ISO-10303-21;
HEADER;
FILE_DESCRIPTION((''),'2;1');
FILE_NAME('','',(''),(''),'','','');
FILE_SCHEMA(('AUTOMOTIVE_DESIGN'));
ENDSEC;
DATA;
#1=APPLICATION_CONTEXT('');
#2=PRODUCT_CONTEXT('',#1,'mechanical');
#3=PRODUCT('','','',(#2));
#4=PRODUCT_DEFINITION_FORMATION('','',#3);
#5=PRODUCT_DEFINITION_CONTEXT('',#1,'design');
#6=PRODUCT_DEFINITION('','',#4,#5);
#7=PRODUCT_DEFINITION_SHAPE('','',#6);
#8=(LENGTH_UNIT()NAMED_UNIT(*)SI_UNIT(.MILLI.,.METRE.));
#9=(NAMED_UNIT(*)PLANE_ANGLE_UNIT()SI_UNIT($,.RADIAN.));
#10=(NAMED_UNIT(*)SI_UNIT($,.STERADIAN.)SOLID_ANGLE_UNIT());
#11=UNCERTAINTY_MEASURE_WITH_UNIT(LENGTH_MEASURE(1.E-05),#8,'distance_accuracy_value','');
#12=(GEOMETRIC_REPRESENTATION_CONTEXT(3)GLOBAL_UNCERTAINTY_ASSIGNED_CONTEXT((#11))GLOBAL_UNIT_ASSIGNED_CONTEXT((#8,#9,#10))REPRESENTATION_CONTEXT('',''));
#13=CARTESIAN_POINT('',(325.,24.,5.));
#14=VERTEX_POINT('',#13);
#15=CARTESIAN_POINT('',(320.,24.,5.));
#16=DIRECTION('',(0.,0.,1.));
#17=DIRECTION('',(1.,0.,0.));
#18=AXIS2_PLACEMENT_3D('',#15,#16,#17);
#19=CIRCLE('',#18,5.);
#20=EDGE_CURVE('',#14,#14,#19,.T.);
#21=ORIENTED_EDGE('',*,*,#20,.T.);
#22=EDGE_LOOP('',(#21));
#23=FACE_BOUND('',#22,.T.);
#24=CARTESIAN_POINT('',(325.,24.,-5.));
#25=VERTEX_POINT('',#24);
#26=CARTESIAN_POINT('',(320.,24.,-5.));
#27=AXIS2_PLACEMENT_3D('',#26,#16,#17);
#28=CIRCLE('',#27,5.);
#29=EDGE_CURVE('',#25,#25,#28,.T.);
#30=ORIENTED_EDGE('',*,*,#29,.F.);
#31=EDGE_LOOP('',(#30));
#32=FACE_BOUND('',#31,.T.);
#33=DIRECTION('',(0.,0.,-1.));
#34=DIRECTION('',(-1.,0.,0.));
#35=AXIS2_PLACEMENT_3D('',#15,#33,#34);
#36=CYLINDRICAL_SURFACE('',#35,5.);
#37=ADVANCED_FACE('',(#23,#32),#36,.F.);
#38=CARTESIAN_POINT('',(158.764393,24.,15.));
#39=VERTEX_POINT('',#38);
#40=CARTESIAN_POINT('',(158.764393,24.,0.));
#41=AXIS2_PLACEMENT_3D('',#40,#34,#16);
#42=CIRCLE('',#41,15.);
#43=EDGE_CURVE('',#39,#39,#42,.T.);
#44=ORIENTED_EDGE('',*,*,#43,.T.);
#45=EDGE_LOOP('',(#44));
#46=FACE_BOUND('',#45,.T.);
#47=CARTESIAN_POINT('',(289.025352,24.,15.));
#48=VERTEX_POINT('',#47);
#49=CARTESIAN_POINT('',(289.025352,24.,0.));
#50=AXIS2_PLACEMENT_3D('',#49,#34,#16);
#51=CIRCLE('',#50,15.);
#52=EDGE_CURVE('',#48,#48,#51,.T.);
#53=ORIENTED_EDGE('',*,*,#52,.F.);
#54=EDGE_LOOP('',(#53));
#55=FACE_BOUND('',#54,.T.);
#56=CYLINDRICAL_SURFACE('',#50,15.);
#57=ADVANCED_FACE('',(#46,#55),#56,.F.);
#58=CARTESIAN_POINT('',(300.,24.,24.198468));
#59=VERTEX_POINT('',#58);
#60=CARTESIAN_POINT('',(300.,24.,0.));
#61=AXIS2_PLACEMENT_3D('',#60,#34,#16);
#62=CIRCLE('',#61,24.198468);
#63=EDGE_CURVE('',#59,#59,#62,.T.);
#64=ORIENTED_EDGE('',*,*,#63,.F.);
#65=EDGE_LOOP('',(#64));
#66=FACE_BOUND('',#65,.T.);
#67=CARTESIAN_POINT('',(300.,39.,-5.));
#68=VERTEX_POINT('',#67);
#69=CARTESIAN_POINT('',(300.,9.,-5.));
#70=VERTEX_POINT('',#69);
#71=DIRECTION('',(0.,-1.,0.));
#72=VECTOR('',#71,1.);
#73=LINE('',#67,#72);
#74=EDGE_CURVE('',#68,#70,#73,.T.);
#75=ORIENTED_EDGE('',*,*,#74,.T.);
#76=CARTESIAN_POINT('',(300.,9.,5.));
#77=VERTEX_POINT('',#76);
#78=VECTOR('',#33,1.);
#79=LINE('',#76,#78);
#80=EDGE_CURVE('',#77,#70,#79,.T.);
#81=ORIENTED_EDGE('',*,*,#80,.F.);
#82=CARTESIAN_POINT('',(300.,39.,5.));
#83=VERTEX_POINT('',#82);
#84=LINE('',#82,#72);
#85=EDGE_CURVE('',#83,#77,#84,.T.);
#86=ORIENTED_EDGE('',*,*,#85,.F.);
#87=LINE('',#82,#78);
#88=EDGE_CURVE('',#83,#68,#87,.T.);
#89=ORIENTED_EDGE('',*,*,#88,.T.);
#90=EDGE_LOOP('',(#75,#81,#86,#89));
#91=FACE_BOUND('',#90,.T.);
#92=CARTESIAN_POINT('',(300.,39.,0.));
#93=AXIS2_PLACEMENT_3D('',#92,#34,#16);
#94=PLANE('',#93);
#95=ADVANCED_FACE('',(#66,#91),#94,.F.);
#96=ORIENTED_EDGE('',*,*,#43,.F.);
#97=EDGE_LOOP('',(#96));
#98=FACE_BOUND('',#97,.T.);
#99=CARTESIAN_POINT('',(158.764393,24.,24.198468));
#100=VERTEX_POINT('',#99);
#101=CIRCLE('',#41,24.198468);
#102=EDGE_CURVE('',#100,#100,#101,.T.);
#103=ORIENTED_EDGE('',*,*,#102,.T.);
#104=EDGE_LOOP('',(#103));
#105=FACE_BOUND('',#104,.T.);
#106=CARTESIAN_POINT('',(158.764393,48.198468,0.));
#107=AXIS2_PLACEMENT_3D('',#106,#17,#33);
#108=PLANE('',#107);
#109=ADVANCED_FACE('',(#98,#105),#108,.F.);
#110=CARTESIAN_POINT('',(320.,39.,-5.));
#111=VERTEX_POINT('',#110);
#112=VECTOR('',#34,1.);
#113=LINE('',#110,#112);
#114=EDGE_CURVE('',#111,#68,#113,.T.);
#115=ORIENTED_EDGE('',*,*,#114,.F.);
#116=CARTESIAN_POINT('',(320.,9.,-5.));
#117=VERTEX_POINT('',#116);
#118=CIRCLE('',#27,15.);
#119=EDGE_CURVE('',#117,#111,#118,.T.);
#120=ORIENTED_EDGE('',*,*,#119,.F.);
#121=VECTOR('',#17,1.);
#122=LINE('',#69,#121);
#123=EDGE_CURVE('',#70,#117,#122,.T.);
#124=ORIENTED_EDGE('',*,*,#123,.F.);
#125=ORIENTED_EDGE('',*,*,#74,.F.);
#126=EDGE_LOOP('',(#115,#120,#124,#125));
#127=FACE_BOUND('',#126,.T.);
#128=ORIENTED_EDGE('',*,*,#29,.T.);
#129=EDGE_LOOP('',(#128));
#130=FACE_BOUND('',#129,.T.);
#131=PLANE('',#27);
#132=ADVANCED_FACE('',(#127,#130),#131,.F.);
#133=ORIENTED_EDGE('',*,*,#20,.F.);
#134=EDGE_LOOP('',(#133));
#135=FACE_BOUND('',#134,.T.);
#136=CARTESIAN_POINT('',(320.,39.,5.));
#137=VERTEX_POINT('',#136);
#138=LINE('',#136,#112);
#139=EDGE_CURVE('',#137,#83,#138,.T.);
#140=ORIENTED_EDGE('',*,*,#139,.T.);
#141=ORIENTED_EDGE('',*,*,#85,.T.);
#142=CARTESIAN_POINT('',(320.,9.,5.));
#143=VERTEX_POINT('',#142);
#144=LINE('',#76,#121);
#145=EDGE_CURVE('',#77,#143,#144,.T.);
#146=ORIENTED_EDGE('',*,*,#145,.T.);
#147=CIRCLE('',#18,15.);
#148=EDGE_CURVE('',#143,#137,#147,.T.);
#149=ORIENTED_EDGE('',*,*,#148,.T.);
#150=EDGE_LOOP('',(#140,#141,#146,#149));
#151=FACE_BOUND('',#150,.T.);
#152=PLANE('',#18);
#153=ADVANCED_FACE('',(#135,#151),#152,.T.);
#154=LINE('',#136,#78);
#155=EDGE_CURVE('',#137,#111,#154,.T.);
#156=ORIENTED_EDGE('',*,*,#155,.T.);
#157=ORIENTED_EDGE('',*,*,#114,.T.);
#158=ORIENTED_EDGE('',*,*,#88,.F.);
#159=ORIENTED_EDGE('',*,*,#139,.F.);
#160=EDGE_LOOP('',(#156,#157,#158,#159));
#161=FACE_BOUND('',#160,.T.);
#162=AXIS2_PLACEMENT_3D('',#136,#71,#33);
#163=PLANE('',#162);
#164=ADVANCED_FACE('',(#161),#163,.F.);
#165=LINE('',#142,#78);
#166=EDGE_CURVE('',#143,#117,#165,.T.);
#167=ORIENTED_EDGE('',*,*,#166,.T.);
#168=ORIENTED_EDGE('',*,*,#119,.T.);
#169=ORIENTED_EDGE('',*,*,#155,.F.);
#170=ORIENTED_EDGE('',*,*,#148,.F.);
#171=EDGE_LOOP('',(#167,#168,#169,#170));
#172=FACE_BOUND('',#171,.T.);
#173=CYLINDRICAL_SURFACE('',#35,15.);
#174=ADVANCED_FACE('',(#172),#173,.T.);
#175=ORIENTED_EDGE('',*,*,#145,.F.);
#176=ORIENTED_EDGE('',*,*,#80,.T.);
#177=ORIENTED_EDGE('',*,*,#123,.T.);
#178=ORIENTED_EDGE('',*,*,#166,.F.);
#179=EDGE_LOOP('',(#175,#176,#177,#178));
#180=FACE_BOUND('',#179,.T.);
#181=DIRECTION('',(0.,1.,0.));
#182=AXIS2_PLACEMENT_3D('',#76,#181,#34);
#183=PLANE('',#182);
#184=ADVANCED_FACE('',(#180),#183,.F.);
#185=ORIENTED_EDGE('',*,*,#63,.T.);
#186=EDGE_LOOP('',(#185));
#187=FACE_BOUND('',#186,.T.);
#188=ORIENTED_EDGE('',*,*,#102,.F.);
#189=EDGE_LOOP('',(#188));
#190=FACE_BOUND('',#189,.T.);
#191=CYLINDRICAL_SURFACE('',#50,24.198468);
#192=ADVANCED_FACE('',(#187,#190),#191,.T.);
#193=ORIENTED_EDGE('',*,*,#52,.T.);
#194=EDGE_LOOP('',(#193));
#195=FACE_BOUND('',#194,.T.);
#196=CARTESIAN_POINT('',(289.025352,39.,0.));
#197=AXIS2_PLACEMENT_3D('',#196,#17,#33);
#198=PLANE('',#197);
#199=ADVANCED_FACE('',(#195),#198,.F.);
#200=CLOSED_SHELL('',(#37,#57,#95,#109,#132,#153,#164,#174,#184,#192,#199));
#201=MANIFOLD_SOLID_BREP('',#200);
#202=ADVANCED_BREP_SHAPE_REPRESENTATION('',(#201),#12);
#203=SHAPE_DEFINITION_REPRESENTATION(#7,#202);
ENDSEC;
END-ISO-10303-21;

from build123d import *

# Parameters (mm, degrees)
SKETCH1_R           = 5
BOSS_EXTRUDE1_DEPTH = 5


with BuildPart() as part:
    # Sketch1 → Boss-Extrude1 (new, symmetric)
    with BuildSketch(Plane.XY):
        with BuildLine():
            Line((320, 39), (300, 39))
            Line((300, 39), (300, 9))
            Line((300, 9), (320, 9))
            ThreePointArc((320, 9), (335, 24), (320, 39))
        make_face()
        with Locations((320, 24)):
            Circle(SKETCH1_R, mode=Mode.SUBTRACT)
    extrude(amount=BOSS_EXTRUDE1_DEPTH, both=True)

    # Sketch4 → Revolve2 (revolve)
    with BuildSketch(Plane.XY, mode=Mode.PRIVATE) as revolve2_sk:
        Polygon((300, 39), (300, 48.198468166), (158.764392762, 48.198468166), (158.764392762, 39), (289.025351805, 39), (289.025351805, 24), (300, 24), align=None)
    revolve(revolve2_sk.sketch.rotate(Axis((289.025351805, 24, 0), (1, 0, 0)), 90), axis=Axis((289.025351805, 24, 0), (1, 0, 0)))


solid = part.part
